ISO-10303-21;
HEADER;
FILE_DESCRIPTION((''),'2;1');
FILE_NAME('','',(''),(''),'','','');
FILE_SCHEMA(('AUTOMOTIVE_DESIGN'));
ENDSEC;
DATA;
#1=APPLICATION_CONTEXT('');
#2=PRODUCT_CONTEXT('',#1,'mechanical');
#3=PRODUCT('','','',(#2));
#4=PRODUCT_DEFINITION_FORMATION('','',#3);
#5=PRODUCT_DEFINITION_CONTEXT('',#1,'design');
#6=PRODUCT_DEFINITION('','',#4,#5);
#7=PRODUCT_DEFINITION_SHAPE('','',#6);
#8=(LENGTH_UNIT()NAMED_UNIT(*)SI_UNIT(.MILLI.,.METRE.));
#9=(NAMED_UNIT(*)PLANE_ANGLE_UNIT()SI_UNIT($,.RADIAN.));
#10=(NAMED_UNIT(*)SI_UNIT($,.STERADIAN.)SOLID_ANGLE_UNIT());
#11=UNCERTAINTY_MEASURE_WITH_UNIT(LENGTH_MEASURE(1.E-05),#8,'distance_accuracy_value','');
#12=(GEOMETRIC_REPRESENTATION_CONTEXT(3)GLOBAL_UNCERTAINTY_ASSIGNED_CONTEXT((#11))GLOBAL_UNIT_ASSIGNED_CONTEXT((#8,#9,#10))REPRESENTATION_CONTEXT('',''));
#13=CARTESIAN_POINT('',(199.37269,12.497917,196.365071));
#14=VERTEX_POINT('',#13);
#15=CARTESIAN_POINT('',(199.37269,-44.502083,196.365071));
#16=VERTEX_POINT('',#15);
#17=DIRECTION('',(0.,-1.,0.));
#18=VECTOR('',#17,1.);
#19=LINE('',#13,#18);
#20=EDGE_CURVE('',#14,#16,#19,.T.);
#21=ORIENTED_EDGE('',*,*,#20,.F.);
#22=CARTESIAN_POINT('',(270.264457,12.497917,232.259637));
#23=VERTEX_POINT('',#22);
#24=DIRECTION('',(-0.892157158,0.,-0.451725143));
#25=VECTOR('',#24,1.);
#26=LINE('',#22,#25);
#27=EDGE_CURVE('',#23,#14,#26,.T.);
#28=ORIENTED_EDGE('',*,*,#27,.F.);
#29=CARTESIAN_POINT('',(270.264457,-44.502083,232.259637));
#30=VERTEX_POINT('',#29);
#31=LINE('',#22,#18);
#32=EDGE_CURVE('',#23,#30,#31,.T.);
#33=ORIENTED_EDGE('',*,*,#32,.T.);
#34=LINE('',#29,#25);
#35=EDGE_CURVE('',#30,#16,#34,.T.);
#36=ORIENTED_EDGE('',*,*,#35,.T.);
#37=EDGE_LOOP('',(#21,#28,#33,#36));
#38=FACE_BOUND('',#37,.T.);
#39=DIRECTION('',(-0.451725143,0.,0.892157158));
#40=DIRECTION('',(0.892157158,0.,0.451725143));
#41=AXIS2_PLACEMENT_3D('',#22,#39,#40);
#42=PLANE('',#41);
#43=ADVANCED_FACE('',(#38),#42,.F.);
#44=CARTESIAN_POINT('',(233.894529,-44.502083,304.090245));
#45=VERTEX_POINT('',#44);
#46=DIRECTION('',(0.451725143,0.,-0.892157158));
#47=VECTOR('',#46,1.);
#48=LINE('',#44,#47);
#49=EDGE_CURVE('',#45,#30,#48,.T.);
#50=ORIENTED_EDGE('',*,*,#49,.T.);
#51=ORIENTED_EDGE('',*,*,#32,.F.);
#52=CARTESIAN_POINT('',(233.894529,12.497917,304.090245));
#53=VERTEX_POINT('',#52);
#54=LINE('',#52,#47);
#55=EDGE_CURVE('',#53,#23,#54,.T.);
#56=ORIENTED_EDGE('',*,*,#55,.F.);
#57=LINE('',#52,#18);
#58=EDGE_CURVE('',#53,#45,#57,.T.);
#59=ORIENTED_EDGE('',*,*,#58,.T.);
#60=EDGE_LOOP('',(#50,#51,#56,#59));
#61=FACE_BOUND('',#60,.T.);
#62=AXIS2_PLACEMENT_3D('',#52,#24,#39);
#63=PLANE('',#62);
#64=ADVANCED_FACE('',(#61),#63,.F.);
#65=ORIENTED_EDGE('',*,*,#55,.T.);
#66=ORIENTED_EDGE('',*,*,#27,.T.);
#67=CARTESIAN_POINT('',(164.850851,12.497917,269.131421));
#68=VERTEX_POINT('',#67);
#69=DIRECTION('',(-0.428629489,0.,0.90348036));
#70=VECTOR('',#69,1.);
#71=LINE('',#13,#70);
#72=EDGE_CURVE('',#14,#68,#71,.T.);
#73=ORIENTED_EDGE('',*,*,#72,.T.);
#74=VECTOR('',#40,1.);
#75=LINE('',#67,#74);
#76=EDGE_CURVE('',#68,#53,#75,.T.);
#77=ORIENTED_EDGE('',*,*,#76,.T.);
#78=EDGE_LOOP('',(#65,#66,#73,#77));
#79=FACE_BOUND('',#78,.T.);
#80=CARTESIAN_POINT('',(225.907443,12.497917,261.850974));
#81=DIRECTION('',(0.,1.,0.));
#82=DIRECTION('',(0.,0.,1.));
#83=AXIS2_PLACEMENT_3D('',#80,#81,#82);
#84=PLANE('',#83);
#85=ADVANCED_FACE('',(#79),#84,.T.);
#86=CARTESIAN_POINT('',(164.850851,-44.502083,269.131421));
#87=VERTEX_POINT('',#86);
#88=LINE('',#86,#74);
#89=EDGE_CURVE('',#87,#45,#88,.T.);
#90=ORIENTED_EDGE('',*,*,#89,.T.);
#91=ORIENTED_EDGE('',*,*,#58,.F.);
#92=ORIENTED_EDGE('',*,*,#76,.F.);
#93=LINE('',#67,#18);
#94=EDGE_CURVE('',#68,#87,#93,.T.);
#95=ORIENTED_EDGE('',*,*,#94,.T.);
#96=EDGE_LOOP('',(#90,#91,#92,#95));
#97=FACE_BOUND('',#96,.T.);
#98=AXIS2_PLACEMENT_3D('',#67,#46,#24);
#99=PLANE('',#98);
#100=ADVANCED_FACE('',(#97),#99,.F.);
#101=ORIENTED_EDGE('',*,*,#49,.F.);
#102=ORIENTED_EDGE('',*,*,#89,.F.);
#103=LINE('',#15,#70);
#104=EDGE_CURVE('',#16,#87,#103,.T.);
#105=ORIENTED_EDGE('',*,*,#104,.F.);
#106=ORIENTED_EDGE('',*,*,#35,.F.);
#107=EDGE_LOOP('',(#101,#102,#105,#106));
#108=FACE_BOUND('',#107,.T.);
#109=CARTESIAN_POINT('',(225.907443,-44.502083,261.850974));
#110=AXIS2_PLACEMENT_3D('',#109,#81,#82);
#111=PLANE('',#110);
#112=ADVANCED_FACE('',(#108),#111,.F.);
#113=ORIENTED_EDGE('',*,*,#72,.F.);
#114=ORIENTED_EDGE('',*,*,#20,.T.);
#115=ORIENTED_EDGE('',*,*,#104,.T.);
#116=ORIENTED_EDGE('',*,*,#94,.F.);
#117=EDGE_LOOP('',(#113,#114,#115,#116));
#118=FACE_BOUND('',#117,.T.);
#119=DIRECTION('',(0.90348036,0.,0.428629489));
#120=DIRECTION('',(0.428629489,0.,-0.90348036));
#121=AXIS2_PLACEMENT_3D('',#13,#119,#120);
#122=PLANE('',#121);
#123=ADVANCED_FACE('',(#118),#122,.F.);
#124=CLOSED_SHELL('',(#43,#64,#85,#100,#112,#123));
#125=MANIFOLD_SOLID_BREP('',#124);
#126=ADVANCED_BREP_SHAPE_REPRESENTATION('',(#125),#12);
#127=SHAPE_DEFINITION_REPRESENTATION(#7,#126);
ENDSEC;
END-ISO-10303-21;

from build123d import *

# Parameters (mm, degrees)
BOSS_EXTRUDE1_DEPTH = 57


with BuildPart() as part:
    # Sketch1 → Boss-Extrude1 (new body)
    with BuildSketch(Plane(origin=(0, 0, 0), x_dir=(1, 0, 0), z_dir=(0, 1, 0))):
        Polygon((-61.056591485, -7.280446556), (7.987085874, -42.239270535), (44.357014022, 29.591337558), (-26.534752805, 65.48590304), align=None)
    extrude(amount=BOSS_EXTRUDE1_DEPTH)


with BuildPart() as part_1:
    # Body-Move/Copy1: moved
    add(part.part.moved(Location((225.907442725, -44.50208272, 261.850974157))))


solid = part_1.part
